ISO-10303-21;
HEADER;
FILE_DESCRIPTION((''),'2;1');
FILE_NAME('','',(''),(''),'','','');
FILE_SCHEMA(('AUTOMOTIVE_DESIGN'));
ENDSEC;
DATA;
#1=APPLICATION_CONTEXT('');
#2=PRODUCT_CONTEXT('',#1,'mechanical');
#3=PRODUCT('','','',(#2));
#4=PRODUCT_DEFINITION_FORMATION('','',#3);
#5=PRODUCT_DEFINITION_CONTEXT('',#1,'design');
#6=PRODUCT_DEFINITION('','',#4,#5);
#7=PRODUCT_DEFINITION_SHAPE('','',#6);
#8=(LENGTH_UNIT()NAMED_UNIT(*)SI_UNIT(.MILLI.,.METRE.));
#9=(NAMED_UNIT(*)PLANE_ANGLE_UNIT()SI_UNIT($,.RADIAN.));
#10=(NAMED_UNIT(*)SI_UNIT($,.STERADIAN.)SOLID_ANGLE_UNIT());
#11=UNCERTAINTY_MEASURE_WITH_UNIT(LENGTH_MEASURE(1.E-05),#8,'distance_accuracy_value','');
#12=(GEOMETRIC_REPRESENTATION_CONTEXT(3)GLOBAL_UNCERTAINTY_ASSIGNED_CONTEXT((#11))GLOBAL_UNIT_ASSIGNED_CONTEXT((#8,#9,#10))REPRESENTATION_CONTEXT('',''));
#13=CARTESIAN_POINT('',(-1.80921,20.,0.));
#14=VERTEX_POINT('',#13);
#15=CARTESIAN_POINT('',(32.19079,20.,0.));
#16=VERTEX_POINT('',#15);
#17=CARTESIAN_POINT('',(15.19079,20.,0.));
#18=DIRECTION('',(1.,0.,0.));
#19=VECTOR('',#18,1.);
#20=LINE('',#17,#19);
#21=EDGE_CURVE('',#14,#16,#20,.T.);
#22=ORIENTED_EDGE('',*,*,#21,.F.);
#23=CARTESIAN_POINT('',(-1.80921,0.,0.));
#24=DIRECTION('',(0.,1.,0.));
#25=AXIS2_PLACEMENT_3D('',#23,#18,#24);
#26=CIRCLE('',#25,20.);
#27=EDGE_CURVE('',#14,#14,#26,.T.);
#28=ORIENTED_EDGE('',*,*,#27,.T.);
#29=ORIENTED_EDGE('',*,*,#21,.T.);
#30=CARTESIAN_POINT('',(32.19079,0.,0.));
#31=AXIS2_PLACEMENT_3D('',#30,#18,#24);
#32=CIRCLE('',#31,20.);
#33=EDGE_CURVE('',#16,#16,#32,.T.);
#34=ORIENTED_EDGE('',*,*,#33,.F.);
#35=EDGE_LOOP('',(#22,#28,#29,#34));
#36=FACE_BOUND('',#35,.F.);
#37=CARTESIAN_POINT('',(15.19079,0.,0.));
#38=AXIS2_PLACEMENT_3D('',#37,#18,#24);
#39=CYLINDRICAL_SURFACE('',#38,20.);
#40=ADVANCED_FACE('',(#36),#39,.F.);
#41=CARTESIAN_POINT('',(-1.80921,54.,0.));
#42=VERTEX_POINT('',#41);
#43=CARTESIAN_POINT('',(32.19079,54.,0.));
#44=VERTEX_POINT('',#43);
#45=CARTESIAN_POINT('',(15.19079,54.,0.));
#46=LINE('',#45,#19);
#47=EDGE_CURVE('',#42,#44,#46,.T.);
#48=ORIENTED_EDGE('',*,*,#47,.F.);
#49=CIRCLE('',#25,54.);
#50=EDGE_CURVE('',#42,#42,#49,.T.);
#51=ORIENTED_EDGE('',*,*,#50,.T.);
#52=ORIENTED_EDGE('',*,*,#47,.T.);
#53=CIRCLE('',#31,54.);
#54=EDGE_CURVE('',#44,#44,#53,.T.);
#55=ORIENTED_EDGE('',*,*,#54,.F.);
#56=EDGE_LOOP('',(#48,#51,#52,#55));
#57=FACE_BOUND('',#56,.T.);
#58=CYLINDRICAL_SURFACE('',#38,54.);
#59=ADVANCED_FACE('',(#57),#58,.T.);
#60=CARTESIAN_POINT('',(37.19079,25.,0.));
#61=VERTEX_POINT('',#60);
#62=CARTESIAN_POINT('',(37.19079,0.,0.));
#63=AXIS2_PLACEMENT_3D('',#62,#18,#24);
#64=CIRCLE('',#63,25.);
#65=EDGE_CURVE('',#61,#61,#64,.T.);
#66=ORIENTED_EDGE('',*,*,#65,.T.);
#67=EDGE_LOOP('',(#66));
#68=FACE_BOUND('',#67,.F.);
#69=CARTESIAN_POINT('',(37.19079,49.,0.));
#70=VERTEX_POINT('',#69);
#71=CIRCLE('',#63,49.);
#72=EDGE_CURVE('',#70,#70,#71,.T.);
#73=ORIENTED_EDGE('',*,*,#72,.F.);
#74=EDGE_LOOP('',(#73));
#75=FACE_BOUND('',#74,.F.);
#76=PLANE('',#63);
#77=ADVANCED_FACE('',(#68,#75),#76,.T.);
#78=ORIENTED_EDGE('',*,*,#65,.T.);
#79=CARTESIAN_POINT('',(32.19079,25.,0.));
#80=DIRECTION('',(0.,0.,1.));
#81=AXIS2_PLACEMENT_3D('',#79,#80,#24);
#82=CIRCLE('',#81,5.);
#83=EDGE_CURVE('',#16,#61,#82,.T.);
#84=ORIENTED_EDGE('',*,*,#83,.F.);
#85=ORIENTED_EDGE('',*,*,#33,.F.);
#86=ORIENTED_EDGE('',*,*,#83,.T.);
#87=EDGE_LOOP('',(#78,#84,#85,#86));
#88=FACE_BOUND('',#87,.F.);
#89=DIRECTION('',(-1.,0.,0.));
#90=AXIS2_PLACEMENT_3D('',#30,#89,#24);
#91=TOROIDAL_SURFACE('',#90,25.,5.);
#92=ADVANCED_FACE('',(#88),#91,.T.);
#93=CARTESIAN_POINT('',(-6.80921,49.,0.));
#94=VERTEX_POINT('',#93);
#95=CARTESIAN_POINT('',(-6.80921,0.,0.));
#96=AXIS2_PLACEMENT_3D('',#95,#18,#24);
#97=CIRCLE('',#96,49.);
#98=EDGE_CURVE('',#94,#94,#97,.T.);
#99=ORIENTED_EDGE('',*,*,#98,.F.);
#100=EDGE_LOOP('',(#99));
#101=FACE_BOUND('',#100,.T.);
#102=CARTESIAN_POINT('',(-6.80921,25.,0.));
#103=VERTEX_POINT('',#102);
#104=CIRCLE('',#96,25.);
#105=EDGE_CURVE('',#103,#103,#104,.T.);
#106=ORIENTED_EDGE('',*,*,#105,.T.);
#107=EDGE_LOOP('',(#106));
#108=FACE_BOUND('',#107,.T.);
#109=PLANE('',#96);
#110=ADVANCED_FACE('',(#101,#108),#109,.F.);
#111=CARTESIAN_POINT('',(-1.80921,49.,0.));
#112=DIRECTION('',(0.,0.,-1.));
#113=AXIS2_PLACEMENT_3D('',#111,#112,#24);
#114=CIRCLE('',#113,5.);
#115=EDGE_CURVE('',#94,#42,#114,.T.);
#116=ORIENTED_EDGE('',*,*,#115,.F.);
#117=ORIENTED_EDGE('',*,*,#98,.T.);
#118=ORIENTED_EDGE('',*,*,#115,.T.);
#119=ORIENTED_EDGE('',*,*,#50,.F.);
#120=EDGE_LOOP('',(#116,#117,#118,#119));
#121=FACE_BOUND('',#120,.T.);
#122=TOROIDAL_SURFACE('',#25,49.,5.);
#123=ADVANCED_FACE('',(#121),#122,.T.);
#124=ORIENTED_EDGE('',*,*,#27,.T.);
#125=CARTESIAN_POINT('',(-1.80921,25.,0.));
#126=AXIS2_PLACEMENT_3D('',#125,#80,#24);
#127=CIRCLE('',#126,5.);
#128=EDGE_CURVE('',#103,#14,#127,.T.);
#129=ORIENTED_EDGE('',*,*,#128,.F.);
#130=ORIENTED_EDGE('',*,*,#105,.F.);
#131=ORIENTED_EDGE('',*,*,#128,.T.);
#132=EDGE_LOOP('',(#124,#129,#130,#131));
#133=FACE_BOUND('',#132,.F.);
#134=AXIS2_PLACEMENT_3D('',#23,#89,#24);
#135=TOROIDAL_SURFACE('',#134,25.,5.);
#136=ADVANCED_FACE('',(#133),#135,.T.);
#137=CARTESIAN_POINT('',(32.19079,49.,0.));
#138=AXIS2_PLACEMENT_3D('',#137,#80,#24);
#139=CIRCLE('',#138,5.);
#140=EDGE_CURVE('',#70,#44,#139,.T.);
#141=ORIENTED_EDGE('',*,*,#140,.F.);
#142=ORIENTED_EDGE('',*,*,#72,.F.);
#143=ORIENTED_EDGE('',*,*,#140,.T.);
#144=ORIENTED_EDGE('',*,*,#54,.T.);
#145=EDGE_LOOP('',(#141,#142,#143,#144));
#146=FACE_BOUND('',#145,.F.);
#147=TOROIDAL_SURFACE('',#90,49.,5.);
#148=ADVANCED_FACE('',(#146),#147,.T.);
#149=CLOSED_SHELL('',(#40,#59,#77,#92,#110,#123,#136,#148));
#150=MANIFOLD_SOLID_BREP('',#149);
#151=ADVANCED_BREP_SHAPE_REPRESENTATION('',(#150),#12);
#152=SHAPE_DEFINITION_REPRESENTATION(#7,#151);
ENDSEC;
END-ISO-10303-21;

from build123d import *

# Parameters (mm, degrees)
F0_W = 44
F0_H = 34
F2_R = 5


with BuildPart() as f1:
    # F0 (on Top) → F1 (revolve)
    with BuildSketch(Plane.XY):
        with Locations((15.19079, 37)):
            Rectangle(F0_W, F0_H)
    revolve(axis=Axis((-4.243421, 0, 0), (1, 0, 0)))

    # F2
    f2_edges = [f1.edges().sort_by_distance(p)[0] for p in [
        (-6.80921, -54, 0),
        (-6.80921, -20, 0),
        (37.19079, -20, 0),
        (37.19079, -54, 0),
    ]]
    fillet(f2_edges, radius=F2_R)


solid = f1.part
